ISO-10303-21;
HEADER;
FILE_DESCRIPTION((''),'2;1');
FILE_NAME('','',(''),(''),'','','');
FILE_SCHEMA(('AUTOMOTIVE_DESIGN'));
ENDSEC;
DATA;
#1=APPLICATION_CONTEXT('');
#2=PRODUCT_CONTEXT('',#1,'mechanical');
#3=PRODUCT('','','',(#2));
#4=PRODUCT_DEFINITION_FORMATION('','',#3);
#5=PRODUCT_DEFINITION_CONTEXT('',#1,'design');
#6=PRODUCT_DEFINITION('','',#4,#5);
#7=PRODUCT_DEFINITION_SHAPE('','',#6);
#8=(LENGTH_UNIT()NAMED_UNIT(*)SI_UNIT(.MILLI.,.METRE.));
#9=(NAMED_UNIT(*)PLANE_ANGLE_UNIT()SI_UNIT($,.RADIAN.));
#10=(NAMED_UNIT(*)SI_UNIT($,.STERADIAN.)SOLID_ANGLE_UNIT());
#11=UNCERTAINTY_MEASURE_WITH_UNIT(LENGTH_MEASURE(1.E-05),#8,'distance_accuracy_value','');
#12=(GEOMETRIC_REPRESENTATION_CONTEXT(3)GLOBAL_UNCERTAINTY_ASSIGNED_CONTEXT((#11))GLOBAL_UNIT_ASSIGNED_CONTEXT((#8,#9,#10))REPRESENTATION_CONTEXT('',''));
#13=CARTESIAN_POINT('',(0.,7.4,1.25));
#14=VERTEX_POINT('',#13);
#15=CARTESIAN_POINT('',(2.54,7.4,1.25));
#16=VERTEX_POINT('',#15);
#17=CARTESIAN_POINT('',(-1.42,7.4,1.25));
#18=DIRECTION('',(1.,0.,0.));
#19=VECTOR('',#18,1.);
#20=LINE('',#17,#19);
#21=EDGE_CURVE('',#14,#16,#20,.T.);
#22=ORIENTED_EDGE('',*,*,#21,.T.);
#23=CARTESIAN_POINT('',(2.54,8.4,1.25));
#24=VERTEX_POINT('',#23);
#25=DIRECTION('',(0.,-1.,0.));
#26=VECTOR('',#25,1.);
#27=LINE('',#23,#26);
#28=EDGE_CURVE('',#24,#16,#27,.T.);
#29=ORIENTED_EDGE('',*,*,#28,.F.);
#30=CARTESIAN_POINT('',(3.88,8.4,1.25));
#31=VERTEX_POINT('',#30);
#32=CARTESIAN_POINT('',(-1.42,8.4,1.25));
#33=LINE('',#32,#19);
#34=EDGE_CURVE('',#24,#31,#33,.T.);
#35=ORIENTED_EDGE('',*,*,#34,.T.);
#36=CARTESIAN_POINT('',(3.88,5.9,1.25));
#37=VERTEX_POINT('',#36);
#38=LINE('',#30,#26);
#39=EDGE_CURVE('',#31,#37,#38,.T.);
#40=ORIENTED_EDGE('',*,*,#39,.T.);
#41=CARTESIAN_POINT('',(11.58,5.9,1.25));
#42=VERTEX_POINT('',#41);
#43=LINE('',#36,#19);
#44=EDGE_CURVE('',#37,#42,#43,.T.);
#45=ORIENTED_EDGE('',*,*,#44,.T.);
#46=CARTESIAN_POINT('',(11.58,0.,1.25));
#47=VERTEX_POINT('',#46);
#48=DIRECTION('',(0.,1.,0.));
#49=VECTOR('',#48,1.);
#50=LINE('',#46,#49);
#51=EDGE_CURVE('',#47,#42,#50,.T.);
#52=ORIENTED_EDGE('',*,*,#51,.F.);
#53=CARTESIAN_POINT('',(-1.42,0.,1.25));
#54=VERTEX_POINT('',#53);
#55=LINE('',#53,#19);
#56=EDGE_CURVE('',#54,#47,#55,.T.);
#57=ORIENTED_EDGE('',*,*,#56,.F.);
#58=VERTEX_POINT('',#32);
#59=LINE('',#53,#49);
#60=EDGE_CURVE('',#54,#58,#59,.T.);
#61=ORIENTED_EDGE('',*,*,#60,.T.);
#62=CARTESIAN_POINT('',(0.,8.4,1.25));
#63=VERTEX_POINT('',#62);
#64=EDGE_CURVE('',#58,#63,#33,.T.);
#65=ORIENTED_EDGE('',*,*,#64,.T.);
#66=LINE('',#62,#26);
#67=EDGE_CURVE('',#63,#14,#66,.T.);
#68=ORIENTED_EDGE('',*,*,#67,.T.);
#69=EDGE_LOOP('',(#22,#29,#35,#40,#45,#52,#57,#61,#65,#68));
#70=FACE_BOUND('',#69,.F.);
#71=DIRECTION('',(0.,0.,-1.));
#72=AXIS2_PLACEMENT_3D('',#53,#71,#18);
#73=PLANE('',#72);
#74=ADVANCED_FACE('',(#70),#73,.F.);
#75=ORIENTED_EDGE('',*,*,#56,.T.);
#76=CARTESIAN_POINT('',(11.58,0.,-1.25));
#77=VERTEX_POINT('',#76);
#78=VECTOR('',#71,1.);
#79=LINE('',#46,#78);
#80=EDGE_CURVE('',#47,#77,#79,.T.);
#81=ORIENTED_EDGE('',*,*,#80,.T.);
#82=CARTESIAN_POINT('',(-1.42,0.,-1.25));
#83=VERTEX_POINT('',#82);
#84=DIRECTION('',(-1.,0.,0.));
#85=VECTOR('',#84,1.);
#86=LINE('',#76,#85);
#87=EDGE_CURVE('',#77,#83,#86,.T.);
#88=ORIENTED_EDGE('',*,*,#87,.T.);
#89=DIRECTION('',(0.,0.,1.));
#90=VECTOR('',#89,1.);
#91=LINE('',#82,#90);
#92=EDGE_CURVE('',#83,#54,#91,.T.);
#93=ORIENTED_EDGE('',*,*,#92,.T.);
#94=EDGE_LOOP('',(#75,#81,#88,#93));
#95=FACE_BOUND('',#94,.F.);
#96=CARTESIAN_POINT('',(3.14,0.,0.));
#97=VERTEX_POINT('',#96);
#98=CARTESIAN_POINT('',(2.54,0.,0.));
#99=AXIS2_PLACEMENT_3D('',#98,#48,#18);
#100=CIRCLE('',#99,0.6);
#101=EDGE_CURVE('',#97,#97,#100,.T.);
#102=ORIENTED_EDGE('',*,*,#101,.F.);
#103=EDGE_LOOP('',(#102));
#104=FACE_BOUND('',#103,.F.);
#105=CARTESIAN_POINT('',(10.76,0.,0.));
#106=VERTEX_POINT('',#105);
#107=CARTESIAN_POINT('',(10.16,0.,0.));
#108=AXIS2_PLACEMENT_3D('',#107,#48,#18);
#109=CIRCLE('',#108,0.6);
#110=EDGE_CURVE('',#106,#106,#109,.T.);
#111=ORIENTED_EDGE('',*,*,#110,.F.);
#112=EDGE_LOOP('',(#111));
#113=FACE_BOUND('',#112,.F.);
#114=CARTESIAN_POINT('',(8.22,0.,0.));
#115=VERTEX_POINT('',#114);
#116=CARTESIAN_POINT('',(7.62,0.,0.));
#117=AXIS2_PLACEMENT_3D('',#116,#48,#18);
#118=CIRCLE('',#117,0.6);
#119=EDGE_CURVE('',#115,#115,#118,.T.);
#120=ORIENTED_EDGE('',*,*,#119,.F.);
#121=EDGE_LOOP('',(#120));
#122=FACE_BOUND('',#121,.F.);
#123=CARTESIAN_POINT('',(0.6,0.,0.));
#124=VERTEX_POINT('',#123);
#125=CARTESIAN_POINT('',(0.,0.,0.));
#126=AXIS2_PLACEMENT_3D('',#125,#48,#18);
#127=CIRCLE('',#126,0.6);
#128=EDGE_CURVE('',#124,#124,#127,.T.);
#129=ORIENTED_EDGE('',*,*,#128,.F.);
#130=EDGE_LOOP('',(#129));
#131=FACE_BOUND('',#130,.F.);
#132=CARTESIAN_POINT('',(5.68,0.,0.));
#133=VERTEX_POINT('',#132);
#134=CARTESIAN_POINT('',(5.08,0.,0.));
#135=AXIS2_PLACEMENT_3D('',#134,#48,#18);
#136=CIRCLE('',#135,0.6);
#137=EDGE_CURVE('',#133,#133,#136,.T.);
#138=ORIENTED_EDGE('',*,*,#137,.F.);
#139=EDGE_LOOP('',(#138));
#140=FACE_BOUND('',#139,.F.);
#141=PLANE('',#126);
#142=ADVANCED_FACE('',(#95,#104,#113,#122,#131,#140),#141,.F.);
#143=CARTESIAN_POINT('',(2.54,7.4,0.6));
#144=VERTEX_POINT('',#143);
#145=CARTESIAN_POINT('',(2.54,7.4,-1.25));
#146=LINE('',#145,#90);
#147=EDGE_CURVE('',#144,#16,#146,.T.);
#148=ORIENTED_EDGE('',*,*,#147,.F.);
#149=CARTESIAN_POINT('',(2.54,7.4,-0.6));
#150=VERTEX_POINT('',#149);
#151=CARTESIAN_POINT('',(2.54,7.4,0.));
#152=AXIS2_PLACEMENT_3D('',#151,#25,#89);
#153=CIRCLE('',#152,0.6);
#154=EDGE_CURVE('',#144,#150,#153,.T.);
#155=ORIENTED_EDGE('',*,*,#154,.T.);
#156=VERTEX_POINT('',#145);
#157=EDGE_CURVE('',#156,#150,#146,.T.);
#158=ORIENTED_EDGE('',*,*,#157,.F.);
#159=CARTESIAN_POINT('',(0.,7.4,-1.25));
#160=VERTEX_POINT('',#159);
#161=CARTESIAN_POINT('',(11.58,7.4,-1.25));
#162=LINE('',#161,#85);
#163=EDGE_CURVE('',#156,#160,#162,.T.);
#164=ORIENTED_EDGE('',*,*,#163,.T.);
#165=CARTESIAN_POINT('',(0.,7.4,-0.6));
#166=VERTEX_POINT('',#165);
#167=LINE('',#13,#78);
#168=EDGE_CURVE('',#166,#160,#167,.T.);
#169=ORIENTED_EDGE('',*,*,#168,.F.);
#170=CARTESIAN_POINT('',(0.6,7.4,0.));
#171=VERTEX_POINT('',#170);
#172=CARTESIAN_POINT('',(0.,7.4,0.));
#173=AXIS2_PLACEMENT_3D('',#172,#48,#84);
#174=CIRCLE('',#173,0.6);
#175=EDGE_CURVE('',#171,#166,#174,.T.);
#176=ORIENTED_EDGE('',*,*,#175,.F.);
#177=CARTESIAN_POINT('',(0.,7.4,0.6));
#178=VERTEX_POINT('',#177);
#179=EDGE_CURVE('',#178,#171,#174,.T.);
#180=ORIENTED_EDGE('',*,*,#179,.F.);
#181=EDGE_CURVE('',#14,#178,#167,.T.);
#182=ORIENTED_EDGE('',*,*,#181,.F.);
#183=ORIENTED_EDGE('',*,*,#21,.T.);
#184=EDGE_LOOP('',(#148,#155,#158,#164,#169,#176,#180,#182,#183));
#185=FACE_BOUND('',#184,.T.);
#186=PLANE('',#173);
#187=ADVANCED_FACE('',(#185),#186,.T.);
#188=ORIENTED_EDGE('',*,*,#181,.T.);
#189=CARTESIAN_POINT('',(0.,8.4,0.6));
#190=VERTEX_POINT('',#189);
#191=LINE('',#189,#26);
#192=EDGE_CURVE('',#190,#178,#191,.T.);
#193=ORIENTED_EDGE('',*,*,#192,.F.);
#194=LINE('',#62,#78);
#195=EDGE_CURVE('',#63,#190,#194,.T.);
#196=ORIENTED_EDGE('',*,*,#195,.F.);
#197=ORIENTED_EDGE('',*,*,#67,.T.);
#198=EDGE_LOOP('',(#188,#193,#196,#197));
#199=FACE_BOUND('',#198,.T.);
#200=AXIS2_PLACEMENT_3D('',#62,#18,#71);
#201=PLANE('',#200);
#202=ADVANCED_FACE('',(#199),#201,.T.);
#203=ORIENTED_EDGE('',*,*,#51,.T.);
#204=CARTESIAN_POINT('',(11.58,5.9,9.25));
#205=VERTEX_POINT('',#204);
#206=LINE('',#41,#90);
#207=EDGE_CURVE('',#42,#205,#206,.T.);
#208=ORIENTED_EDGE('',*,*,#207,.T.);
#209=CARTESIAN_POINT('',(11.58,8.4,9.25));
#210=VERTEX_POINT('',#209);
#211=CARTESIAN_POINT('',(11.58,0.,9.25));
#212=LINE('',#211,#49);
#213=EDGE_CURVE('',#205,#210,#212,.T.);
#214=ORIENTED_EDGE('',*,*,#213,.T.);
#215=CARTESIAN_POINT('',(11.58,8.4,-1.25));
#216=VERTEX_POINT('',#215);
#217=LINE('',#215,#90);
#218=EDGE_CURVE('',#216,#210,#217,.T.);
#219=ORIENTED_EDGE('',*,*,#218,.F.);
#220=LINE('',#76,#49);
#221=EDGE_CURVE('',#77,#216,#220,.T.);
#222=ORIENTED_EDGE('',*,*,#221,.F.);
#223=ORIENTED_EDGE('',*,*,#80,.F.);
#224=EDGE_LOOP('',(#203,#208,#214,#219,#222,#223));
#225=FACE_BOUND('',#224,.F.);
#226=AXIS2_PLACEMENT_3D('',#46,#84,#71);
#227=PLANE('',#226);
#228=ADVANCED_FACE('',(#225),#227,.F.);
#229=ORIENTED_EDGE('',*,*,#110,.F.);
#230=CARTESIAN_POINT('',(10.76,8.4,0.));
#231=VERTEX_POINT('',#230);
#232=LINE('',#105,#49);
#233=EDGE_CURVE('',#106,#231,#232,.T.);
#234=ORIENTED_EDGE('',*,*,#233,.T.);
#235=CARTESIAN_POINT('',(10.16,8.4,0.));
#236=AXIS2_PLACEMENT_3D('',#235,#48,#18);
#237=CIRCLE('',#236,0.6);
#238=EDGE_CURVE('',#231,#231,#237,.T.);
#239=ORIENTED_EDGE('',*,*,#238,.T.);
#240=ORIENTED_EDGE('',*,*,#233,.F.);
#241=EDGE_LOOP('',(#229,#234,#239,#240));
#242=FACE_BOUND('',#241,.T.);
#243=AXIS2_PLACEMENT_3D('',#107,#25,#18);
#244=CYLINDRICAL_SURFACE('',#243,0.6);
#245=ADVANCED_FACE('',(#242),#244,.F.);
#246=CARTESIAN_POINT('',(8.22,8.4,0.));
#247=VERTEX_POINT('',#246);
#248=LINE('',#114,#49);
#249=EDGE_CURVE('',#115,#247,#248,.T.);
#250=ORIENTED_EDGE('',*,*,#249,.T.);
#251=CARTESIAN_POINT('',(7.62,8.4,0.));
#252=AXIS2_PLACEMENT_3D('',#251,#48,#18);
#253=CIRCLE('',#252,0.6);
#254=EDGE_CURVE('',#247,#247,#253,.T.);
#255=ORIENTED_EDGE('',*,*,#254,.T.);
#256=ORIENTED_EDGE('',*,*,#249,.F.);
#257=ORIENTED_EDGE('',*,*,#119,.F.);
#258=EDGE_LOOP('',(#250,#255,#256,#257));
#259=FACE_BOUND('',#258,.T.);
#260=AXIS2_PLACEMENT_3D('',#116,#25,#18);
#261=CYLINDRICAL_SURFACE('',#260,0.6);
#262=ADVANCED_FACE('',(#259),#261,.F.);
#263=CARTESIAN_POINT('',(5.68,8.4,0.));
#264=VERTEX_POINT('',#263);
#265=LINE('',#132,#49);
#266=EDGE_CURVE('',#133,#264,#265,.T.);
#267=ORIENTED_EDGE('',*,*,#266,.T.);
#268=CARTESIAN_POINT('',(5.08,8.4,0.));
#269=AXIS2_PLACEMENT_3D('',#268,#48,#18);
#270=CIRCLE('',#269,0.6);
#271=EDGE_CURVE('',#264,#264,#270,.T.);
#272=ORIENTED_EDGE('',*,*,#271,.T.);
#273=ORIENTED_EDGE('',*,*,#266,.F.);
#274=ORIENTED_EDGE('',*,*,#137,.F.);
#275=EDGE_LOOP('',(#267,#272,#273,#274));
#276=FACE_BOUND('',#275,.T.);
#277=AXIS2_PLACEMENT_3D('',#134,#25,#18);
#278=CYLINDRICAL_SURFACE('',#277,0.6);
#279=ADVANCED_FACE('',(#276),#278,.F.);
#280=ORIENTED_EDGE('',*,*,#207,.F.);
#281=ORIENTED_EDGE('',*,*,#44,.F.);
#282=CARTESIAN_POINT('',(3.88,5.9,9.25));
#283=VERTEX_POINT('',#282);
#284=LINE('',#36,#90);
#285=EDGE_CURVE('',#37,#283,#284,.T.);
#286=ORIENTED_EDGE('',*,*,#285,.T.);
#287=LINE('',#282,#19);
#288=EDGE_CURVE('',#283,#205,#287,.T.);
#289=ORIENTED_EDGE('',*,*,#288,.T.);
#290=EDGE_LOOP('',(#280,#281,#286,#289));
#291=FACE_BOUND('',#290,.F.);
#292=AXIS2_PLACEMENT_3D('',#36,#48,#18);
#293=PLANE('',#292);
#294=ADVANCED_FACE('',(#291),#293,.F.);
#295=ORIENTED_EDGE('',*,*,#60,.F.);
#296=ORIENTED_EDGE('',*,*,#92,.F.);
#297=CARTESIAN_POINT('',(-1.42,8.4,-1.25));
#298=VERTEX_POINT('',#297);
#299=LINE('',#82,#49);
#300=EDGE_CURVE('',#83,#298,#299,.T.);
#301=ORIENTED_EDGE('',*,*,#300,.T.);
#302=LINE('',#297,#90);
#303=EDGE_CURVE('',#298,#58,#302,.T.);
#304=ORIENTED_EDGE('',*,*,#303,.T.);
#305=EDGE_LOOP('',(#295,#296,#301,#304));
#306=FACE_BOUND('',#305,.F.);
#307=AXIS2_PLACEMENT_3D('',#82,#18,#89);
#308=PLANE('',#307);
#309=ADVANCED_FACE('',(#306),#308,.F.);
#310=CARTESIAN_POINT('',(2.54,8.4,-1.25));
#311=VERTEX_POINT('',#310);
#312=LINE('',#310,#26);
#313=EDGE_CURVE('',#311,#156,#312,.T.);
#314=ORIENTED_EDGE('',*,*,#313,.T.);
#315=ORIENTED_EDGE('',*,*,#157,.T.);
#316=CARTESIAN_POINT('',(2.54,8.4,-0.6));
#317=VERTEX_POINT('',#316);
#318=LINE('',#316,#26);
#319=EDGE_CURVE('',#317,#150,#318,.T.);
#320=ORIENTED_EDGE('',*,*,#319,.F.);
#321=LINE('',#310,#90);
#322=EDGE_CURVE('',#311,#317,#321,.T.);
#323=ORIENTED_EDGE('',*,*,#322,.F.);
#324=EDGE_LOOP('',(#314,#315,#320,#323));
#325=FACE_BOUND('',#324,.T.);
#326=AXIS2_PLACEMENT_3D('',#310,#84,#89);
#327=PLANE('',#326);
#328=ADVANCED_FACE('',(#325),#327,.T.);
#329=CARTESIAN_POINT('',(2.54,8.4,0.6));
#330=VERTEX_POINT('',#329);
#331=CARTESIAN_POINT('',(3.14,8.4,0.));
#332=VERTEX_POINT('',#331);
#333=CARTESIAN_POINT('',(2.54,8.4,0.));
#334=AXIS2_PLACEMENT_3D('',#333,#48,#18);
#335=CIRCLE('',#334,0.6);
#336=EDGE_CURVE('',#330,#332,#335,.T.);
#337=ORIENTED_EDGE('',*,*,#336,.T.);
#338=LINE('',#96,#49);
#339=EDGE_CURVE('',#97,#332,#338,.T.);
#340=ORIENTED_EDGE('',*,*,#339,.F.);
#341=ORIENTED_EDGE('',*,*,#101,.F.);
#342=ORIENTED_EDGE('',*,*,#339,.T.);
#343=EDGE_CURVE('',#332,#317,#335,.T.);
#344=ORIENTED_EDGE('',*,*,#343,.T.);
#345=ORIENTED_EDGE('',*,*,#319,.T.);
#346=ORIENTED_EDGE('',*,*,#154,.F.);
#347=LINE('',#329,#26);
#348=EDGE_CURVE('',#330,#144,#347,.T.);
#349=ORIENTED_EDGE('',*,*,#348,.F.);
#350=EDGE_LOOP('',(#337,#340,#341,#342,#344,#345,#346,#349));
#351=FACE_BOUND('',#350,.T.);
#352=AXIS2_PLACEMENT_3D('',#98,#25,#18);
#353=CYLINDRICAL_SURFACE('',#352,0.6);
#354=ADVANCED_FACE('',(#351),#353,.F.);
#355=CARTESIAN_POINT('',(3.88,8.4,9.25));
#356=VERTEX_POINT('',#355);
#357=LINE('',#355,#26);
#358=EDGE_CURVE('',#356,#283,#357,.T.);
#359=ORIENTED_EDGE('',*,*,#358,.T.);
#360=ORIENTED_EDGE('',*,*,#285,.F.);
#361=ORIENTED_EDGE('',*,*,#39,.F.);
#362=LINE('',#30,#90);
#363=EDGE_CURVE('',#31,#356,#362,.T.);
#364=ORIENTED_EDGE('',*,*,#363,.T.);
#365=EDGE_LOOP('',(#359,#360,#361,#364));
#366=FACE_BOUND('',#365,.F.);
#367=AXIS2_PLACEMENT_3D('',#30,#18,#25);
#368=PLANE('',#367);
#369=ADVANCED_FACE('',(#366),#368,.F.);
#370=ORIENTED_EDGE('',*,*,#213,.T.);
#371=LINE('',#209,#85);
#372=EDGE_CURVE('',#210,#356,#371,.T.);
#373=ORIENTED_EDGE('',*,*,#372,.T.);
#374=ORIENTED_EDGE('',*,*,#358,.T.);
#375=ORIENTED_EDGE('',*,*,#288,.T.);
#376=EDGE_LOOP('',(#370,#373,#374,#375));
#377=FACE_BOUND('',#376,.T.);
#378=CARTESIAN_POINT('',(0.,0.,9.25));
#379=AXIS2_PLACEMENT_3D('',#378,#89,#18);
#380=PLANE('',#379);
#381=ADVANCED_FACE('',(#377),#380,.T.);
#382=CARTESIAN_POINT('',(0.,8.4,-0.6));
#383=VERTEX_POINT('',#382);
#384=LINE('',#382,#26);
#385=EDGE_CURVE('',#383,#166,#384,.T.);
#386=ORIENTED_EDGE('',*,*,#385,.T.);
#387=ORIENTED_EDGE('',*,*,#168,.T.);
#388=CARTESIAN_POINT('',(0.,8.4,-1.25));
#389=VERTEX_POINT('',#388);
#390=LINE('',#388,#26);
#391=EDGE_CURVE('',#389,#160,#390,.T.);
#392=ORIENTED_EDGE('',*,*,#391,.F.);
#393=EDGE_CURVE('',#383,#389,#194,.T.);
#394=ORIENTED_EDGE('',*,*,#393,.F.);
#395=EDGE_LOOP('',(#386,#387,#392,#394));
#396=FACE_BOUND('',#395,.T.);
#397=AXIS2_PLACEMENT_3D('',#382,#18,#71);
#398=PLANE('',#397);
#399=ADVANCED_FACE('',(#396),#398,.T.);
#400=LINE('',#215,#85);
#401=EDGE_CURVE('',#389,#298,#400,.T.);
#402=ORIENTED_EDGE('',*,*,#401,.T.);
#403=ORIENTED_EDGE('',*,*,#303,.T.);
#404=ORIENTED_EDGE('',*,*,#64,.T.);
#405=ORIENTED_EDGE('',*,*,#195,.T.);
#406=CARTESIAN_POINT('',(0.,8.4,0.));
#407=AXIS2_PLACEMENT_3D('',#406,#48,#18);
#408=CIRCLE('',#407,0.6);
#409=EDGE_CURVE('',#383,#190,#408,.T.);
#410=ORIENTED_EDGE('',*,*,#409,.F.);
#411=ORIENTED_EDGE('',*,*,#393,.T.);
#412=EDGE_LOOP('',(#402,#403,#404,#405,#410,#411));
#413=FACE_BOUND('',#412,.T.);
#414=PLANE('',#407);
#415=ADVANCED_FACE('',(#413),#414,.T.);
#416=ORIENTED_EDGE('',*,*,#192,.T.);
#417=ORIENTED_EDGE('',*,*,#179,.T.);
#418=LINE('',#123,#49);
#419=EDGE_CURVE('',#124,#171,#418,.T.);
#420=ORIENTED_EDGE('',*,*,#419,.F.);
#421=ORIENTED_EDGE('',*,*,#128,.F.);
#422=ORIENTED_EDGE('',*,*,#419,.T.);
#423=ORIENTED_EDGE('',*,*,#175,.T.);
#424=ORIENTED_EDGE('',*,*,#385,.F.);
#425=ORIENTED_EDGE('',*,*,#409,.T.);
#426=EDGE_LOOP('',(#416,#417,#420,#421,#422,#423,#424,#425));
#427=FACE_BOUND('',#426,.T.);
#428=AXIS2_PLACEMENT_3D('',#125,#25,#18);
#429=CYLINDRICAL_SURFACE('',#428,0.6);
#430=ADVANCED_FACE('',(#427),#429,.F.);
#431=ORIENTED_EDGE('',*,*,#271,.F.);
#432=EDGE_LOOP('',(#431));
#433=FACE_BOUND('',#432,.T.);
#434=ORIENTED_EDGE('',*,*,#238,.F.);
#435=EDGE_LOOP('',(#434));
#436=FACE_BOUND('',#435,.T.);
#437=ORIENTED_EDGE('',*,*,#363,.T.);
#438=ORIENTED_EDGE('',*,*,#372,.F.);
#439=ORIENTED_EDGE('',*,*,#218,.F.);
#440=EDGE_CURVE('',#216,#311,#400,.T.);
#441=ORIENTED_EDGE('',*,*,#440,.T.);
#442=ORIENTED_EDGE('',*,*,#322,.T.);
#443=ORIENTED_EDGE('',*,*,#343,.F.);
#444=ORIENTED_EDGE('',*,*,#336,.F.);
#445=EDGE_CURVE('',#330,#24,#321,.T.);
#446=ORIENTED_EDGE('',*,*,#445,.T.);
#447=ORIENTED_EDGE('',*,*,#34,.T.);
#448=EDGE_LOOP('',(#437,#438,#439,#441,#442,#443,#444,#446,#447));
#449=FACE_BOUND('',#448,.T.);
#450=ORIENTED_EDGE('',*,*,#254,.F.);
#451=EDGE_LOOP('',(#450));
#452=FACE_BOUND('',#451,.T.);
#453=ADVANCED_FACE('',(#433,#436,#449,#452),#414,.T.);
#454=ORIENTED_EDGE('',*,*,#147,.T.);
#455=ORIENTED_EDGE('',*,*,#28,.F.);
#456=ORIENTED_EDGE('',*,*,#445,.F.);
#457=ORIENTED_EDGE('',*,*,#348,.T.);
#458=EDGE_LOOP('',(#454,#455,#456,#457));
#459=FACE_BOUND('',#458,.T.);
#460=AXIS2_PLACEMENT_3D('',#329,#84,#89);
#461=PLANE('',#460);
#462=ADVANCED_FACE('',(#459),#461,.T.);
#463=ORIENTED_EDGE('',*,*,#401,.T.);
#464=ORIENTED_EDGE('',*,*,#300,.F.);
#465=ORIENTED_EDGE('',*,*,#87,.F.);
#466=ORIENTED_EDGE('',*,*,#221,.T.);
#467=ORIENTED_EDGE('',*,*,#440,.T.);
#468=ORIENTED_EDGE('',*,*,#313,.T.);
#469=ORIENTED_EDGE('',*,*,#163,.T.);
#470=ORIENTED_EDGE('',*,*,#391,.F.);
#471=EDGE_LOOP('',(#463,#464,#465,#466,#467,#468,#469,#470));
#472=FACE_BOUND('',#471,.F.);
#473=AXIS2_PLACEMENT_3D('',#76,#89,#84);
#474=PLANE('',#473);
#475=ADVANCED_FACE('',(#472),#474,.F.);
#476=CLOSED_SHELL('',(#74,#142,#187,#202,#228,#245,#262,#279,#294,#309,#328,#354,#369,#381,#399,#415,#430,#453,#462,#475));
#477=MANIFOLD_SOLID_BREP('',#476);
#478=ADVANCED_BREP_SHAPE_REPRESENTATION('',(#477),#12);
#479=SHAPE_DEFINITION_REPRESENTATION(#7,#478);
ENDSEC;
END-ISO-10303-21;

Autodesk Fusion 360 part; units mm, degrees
sketch "Skizze1" plane through (0, 0, 0) normal (0, 1, 0) x (1, 0, 0)
  circle A0 centre (0, 0) radius 0.6
  circle A1 centre (2.54, 0) radius 0.6
  circle A2 centre (5.08, 0) radius 0.6
  circle A3 centre (7.62, 0) radius 0.6
  circle A4 centre (10.16, 0) radius 0.6
  line L0 (11.58, 1.25) -> (-1.42, 1.25)
  line L1 (-1.42, 1.25) -> (-1.42, -1.25)
  line L2 (-1.42, -1.25) -> (11.58, -1.25)
  line L3 (11.58, -1.25) -> (11.58, 1.25)
  line L4 (11.58, 1.25) -> (-1.42, -1.25) construction
  line L5 (-1.42, 1.25) -> (11.58, -1.25) construction
  point P0 (5.08, 0)
  dimension "d1" = 1.2
  dimension "d4" = 2.54
  dimension "d5" = 0
  dimension "d6" = 13
  dimension "d7" = 2.5
extrude "Extrusion1" add sketch "Skizze1" along normal blind 8.4
sketch "Skizze4" plane through (0, 0, 1.25) normal (0, 0, 1) x (1, 0, 0)
  line L0 (-1.42, 0) -> (11.58, 0)
  line L1 (11.58, 0) -> (11.58, 8.4)
  line L2 (11.58, 8.4) -> (-1.42, 8.4)
  line L3 (-1.42, 8.4) -> (-1.42, 0)
  line L4 (11.58, 8.4) -> (3.88, 8.4)
  line L5 (3.88, 8.4) -> (3.88, 5.9)
  line L6 (3.88, 5.9) -> (11.58, 5.9)
  line L7 (11.58, 5.9) -> (11.58, 8.4)
  dimension "d10" = 7.7
  dimension "d11" = 2.5
extrude "Extrusion2" add sketch "Skizze4" along normal blind 8 contours L1 L2 L4 L5 L6 L7
sketch "Skizze5" plane through (0, 8.4, 0) normal (0, 1, 0) x (-1, 0, 0)
  circle A0 centre (-7.62, 0) radius 0.6
  circle A1 centre (-5.08, 0) radius 0.6
  circle A2 centre (-10.16, 0) radius 0.6
  circle A3 centre (-2.54, 0) radius 0.6
  circle A4 centre (0, 0) radius 0.6
  line L0 (-11.58, 9.25) -> (-11.58, -1.25)
  line L1 (-11.58, -1.25) -> (1.42, -1.25)
  line L2 (1.42, -1.25) -> (1.42, 1.25)
  line L3 (1.42, 1.25) -> (-3.88, 1.25)
  line L4 (-3.88, 1.25) -> (-3.88, 9.25)
  line L5 (-3.88, 9.25) -> (-11.58, 9.25)
  line L6 (0, -1.25) -> (-2.54, -1.25)
  line L7 (-2.54, -1.25) -> (-2.54, 1.25)
  line L8 (-2.54, 1.25) -> (0, 1.25)
  line L9 (0, 1.25) -> (0, -1.25)
extrude "Extrusion3" cut sketch "Skizze5" against normal blind 1 contours A3 A4 L1 L3 L6 L7 L8 L9
